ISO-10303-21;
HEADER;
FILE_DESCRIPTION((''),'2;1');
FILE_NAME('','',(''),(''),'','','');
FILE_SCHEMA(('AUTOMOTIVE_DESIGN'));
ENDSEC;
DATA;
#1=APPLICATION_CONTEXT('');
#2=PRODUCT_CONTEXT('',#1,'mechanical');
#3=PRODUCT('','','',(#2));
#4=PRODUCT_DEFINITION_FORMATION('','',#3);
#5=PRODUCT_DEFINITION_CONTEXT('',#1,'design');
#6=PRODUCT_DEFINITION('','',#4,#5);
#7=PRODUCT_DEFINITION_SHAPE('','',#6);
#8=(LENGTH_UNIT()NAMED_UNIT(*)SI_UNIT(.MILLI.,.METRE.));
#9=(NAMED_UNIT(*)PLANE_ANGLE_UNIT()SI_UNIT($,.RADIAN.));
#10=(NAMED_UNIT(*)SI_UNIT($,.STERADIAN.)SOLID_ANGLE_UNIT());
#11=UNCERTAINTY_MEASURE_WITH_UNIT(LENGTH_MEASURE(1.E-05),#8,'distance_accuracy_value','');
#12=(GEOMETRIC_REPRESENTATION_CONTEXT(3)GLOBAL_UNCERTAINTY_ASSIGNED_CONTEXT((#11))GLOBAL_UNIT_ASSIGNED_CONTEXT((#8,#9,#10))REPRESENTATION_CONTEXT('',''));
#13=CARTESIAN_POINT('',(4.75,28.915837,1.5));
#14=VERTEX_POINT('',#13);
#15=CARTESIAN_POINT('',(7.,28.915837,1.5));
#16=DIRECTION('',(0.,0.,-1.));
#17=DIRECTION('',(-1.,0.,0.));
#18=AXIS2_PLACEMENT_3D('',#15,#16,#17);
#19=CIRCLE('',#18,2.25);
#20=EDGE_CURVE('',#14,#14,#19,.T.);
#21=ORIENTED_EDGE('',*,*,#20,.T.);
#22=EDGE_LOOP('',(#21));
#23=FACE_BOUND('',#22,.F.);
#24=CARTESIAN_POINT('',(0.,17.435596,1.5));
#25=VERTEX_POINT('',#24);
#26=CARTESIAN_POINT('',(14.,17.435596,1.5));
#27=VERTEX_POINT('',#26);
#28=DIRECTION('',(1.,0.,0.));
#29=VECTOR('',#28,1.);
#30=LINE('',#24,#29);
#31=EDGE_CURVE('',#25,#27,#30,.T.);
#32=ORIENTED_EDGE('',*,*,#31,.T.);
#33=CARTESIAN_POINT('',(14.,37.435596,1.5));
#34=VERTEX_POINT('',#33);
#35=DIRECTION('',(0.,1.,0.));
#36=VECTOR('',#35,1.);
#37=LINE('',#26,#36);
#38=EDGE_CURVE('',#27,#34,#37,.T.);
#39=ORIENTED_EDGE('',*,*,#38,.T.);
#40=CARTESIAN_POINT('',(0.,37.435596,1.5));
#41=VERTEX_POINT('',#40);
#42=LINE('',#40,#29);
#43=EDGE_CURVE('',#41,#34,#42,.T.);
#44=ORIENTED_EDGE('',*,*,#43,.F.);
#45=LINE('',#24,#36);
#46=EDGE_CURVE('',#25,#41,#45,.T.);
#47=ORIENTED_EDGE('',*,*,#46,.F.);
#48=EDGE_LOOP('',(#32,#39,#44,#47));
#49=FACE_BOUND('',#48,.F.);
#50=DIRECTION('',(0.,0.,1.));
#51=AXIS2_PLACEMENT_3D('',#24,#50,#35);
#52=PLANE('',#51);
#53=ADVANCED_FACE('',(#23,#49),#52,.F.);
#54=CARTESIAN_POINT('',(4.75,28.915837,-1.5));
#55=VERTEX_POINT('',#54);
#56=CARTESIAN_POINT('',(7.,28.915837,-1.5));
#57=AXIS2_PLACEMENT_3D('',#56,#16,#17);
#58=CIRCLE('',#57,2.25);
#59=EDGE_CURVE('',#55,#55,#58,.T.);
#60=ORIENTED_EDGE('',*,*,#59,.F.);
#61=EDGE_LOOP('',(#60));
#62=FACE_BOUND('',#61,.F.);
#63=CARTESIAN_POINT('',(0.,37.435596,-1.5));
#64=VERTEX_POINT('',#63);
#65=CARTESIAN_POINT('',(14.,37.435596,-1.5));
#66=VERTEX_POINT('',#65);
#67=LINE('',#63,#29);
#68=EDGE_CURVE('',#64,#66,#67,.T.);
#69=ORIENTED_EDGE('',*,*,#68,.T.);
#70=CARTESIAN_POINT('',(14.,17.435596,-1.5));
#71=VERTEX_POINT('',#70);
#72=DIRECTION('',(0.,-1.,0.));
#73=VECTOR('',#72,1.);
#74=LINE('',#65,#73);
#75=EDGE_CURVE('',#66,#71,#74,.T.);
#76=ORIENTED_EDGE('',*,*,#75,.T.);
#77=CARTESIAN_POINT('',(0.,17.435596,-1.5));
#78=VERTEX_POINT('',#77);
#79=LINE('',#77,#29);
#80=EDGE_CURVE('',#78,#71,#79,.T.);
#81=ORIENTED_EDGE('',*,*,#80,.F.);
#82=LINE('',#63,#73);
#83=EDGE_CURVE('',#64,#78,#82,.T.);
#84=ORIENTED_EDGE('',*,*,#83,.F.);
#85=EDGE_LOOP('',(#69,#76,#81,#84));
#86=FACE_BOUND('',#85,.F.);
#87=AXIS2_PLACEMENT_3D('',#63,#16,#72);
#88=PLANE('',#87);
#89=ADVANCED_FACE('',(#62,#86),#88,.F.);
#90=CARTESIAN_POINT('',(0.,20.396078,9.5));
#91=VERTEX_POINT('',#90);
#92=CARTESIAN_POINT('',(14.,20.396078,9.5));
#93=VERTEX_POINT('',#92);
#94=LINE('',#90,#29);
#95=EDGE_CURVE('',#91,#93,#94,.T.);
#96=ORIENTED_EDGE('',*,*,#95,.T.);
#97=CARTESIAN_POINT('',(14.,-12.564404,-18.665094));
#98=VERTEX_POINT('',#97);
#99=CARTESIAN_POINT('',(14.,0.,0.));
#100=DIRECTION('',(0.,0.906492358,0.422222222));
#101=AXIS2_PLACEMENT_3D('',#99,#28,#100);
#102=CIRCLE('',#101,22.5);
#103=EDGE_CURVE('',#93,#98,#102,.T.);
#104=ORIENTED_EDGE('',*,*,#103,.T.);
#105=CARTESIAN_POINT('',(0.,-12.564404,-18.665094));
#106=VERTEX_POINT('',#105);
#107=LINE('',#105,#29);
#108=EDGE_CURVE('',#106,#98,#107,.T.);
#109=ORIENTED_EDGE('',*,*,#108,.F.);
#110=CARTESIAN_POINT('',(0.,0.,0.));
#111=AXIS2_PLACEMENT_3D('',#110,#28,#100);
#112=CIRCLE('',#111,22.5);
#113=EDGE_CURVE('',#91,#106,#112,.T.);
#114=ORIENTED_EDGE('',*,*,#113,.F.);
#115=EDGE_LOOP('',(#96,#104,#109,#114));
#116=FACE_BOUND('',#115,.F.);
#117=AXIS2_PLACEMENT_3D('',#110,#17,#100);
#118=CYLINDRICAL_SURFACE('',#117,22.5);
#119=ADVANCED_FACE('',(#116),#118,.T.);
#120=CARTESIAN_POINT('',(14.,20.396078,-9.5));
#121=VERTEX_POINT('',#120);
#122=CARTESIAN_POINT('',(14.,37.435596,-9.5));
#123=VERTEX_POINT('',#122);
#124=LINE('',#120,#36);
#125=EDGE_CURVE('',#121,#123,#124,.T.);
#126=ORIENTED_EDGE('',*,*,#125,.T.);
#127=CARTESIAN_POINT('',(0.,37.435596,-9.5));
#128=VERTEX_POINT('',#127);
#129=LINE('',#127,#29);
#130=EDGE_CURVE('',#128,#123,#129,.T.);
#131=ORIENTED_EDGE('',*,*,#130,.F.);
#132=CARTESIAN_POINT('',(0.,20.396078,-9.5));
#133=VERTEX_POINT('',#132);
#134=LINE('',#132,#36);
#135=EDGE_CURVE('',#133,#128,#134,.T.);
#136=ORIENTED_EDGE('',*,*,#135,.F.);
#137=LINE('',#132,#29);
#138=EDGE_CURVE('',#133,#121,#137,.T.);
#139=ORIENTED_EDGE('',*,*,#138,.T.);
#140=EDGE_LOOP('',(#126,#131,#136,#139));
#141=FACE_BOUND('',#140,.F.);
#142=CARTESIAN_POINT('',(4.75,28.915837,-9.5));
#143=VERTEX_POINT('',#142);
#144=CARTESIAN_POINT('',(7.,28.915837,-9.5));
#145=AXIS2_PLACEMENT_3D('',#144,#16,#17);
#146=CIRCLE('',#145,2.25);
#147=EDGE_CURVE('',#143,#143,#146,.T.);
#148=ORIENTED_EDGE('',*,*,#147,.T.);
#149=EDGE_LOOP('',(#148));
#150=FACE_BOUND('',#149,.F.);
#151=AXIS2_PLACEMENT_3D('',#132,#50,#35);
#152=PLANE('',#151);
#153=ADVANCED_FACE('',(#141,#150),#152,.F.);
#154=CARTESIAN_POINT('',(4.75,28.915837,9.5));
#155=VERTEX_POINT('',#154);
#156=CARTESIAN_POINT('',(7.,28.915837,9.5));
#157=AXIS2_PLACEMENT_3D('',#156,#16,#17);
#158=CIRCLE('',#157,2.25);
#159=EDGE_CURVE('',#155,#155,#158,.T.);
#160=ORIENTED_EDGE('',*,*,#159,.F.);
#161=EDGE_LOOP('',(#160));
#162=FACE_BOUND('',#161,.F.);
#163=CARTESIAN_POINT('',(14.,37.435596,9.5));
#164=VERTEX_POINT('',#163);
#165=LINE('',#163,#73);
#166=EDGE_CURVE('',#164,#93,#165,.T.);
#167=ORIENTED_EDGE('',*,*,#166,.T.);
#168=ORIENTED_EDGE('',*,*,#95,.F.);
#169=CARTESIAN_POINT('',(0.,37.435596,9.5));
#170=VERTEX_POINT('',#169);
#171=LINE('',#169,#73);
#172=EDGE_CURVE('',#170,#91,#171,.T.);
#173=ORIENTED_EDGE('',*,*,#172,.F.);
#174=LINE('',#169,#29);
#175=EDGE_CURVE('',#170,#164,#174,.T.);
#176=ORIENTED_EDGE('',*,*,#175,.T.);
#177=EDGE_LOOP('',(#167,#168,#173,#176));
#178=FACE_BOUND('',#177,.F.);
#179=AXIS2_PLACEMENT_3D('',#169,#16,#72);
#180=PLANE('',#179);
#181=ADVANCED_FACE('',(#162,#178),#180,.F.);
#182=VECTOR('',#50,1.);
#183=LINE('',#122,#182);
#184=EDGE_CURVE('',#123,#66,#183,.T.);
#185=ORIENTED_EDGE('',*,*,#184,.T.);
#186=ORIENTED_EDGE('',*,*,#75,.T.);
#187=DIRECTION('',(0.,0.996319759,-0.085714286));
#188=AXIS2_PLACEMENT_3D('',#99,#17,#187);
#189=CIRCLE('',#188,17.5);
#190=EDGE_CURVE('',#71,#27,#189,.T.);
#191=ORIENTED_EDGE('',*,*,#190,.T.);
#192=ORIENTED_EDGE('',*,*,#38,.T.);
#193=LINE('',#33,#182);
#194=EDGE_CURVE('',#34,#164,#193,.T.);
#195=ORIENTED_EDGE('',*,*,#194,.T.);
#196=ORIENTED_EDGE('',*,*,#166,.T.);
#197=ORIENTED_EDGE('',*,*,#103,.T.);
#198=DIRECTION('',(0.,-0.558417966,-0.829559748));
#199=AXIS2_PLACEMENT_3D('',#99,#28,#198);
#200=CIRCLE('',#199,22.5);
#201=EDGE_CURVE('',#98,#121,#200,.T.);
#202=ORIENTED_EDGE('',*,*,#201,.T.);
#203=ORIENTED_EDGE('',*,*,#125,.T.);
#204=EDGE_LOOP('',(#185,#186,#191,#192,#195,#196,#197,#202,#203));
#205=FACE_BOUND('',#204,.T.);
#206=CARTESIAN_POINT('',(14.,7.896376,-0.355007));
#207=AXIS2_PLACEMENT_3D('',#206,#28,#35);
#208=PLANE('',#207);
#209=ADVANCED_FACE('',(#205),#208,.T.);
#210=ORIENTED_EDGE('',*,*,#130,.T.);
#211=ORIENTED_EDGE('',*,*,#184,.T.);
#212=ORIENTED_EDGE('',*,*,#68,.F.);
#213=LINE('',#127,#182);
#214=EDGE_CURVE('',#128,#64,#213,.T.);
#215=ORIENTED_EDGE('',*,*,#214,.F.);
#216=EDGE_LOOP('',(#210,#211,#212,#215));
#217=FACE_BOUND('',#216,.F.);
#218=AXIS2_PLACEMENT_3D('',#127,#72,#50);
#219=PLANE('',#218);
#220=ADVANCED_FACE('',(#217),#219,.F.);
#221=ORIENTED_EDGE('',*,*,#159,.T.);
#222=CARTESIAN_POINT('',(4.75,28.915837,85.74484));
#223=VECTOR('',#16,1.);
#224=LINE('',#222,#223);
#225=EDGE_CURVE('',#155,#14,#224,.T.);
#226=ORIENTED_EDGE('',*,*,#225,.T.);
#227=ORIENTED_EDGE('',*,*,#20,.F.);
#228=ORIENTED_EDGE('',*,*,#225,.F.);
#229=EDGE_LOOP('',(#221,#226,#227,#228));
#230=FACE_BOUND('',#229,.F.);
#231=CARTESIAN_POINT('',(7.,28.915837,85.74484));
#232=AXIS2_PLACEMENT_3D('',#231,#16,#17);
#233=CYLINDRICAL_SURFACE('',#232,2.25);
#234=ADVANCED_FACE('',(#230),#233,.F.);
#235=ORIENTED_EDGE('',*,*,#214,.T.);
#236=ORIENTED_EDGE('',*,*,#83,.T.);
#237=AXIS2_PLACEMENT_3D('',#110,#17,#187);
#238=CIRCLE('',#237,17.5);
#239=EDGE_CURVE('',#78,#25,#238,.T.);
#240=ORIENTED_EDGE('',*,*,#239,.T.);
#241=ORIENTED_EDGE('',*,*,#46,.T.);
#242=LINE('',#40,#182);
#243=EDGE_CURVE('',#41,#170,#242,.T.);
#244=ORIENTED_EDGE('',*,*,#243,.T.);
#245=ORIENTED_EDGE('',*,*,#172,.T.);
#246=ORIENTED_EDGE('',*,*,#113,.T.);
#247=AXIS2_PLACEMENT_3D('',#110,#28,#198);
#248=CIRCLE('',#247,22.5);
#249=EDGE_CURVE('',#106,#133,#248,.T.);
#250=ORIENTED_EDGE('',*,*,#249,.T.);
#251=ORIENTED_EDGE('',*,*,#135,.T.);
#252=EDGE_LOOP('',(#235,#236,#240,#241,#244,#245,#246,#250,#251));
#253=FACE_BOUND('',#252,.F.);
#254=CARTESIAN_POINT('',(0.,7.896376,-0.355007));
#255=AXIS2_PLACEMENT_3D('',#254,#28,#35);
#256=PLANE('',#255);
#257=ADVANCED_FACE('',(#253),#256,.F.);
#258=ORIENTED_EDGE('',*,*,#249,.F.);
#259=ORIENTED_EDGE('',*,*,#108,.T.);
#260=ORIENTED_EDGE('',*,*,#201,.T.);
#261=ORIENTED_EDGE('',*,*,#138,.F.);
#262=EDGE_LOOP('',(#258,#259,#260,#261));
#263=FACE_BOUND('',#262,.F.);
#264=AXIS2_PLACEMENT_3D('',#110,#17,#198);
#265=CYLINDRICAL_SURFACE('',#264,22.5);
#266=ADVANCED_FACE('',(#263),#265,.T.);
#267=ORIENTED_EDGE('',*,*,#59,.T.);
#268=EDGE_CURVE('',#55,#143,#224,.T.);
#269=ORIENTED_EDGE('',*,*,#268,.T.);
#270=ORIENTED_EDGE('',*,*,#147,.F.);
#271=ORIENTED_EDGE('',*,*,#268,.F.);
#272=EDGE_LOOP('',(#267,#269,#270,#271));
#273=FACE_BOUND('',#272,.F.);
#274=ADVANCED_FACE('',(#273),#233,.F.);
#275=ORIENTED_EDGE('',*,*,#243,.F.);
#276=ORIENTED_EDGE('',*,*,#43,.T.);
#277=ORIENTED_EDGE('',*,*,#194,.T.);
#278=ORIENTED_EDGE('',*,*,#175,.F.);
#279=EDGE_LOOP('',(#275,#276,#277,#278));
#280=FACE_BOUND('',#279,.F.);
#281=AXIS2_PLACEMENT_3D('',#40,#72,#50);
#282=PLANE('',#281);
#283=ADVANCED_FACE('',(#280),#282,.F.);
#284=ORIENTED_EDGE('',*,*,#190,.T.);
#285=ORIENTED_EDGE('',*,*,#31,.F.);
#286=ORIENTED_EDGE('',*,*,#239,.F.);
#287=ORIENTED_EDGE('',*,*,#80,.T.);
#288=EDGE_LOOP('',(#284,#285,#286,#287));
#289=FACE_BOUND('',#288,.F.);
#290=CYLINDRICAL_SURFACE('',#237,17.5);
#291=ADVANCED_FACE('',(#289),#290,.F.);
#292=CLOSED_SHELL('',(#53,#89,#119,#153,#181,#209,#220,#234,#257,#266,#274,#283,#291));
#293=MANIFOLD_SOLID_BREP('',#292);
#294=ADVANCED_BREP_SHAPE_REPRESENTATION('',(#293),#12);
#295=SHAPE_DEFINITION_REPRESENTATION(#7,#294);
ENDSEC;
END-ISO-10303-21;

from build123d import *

# Parameters (mm, degrees)
F1_DEPTH = 14
F3_D     = 4.5


with BuildPart() as f1:
    # F0 (on Right) → F1 (new body)
    with BuildSketch(Plane.YZ):
        with BuildLine():
            ThreePointArc((17.4355957742, -1.5), (-17.5, 0), (17.4355957742, 1.5))
            Line((17.4355957742, 1.5), (37.4355957742, 1.5))
            Line((37.4355957742, 1.5), (37.4355957742, 9.5))
            Line((37.4355957742, 9.5), (20.3960780544, 9.5))
            ThreePointArc((20.3960780544, 9.5), (-14.6168366424, 17.1054987232), (-12.5644042258, -18.6650943327))
            ThreePointArc((-12.5644042258, -18.6650943327), (6.027729031, -21.6775571209), (20.3960780544, -9.5))
            Line((20.3960780544, -9.5), (37.4355957742, -9.5))
            Line((37.4355957742, -9.5), (37.4355957742, -1.5))
            Line((37.4355957742, -1.5), (17.4355957742, -1.5))
        make_face()
    extrude(amount=F1_DEPTH)

    # F3 (through all)
    with Locations(Plane.XY.offset(9.5)):
        with Locations((7, 28.9158369143)):
            Hole(F3_D / 2)


solid = f1.part
